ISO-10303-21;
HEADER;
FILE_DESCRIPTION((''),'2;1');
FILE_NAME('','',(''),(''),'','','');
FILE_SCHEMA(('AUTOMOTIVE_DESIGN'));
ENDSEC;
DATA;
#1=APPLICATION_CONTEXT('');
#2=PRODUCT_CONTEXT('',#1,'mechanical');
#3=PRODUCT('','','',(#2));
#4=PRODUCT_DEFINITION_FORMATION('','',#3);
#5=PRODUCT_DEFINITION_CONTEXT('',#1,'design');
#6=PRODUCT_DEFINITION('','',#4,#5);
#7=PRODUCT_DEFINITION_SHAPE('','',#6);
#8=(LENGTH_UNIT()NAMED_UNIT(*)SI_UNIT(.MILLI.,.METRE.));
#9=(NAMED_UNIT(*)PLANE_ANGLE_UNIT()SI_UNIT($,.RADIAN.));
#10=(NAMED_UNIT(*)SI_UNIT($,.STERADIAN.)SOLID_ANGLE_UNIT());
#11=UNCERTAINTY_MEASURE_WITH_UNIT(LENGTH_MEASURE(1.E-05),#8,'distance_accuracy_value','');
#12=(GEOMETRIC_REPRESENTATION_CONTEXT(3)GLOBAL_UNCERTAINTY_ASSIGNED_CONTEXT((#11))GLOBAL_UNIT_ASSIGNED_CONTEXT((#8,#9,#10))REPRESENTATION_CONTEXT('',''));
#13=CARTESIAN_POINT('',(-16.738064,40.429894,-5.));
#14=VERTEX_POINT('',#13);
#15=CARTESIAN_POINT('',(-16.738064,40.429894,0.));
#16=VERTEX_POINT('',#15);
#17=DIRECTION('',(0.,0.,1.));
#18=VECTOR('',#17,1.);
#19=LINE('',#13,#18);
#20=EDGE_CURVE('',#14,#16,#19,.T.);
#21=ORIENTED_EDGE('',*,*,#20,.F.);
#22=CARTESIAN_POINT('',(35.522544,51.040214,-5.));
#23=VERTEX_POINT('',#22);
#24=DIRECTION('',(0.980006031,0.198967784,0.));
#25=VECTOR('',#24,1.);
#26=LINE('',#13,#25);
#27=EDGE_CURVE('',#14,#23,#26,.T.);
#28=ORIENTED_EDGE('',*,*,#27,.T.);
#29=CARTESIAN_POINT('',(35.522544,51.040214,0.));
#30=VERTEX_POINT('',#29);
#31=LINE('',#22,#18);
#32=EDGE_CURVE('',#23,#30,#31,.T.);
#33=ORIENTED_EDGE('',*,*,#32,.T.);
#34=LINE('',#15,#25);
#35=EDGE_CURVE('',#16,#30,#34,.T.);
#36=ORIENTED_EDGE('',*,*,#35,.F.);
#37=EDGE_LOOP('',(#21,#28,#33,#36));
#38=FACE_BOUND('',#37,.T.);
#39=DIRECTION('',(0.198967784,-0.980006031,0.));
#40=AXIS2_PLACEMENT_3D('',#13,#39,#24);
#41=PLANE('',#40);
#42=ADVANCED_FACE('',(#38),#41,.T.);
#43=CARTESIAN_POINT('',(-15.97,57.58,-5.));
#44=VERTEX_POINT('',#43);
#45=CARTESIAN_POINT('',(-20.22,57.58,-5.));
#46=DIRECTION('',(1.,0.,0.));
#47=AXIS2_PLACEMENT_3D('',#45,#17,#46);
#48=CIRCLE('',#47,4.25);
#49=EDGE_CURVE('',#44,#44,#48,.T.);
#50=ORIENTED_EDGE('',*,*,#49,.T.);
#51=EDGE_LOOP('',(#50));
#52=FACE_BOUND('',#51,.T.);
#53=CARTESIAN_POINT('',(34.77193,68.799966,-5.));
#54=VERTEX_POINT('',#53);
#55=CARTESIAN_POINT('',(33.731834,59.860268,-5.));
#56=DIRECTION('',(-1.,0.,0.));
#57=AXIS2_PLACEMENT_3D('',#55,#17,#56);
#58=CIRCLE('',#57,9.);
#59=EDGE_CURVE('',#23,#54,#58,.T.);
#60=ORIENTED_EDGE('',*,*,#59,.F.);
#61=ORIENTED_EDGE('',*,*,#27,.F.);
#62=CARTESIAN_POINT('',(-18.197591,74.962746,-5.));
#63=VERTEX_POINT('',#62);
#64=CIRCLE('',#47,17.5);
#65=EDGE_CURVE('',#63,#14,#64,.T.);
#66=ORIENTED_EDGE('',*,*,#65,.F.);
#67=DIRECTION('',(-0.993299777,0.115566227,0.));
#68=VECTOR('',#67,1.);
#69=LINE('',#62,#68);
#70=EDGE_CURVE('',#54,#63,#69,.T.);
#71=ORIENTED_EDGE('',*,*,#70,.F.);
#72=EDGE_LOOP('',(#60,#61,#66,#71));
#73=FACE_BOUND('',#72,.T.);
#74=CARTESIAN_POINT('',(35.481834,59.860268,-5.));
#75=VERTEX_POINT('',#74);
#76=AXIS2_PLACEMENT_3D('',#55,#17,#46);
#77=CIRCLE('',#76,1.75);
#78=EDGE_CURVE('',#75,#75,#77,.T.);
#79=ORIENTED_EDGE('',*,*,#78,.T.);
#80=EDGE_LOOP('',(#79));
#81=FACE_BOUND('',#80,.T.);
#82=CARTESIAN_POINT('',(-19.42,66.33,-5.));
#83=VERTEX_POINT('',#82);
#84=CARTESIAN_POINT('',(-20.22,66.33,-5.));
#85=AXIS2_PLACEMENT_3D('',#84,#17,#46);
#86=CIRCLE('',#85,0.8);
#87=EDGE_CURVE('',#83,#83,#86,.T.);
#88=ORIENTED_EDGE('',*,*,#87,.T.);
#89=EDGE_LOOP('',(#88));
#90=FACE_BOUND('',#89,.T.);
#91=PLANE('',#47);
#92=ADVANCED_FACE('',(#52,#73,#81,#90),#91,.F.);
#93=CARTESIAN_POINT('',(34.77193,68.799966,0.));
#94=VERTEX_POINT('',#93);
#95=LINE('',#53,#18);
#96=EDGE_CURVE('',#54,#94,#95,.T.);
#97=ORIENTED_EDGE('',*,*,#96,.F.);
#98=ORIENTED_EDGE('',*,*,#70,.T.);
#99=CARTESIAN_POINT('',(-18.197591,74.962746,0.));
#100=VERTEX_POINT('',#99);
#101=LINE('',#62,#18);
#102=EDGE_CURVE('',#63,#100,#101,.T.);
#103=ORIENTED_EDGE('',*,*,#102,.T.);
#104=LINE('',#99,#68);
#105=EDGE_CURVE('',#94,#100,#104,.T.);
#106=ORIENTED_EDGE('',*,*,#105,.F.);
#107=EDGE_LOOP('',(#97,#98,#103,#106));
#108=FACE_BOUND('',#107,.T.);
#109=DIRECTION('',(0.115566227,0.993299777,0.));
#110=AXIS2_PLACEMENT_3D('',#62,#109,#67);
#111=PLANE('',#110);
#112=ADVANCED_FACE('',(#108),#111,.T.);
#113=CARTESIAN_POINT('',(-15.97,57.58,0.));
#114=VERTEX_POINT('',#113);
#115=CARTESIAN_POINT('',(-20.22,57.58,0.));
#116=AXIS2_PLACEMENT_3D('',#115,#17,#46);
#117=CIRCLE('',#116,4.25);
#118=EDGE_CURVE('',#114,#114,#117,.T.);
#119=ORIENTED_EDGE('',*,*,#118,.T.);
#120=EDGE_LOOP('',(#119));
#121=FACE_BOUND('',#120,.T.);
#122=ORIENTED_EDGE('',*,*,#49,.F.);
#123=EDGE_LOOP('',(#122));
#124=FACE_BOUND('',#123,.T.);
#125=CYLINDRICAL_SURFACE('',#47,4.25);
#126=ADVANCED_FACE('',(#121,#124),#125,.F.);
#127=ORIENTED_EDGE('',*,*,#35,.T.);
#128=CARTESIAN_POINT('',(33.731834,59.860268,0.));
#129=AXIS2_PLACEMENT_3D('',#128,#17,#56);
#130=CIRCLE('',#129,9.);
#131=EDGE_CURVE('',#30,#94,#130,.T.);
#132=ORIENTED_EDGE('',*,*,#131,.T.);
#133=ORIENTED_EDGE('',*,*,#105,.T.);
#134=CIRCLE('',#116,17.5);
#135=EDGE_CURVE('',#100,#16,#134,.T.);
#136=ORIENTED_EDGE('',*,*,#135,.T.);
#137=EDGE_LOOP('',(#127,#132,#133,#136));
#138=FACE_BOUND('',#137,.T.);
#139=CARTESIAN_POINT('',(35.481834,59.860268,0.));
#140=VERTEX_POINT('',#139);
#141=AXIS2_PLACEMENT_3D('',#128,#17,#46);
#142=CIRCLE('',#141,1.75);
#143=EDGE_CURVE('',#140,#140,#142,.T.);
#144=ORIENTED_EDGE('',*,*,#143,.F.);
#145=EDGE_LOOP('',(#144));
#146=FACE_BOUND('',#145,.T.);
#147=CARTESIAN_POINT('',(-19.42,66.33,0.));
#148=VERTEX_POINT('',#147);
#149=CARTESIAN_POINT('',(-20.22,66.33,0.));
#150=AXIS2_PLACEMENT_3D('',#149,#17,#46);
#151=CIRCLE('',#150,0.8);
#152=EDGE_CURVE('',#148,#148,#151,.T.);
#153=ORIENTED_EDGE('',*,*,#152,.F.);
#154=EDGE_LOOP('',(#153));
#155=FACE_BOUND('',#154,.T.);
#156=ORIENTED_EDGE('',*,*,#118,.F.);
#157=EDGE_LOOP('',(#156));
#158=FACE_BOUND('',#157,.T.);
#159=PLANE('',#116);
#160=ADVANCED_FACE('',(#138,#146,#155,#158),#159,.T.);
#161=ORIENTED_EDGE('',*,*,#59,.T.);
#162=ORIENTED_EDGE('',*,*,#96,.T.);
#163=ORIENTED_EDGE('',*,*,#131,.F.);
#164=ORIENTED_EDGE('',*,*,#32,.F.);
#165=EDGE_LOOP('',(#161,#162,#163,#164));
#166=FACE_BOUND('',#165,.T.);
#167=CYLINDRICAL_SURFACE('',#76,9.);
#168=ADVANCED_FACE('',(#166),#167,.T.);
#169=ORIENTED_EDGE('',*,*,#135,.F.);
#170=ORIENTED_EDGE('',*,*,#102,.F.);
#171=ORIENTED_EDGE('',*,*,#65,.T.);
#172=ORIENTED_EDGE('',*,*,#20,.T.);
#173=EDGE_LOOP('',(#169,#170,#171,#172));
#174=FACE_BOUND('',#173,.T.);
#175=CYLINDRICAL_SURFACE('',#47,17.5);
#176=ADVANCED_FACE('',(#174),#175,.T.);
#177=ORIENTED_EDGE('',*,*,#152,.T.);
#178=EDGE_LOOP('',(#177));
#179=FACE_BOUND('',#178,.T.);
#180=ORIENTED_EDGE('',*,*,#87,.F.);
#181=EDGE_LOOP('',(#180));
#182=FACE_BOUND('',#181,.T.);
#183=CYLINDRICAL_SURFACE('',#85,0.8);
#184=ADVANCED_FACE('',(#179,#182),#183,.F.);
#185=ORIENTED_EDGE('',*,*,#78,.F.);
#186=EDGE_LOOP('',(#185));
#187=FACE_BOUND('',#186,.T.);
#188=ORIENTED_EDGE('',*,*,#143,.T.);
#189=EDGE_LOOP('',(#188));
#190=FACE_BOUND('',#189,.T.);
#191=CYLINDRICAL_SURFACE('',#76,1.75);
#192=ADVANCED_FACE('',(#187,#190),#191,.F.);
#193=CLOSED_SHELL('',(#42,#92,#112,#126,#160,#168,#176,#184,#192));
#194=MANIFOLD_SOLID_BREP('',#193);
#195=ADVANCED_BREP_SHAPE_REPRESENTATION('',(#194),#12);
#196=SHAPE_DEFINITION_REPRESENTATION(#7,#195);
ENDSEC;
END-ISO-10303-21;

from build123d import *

# Parameters (mm, degrees)
SKETCH1_R           = 4.25
SKETCH1_R_2         = 1.75
SKETCH1_R_3         = 0.8
BOSS_EXTRUDE1_DEPTH = 5


with BuildPart() as part:
    # Sketch1 → Boss-Extrude1 (new body)
    with BuildSketch(Plane.XY):
        with BuildLine():
            Line((-18.197591032, 74.9627461), (34.771929891, 68.799966437))
            ThreePointArc((34.771929891, 68.799966437), (42.723806159, 60.240313183), (35.522543907, 51.040214163))
            Line((35.522543907, 51.040214163), (-16.738063779, 40.429894456))
            ThreePointArc((-16.738063779, 40.429894456), (-37.7043906, 56.841024116), (-18.197591032, 74.9627461))
        make_face()
        with Locations((-20.22, 57.58)):
            Circle(SKETCH1_R, mode=Mode.SUBTRACT)
        with Locations((33.73183385, 59.860268443)):
            Circle(SKETCH1_R_2, mode=Mode.SUBTRACT)
        with Locations((-20.22, 66.33)):
            Circle(SKETCH1_R_3, mode=Mode.SUBTRACT)
    extrude(amount=-BOSS_EXTRUDE1_DEPTH)


solid = part.part
